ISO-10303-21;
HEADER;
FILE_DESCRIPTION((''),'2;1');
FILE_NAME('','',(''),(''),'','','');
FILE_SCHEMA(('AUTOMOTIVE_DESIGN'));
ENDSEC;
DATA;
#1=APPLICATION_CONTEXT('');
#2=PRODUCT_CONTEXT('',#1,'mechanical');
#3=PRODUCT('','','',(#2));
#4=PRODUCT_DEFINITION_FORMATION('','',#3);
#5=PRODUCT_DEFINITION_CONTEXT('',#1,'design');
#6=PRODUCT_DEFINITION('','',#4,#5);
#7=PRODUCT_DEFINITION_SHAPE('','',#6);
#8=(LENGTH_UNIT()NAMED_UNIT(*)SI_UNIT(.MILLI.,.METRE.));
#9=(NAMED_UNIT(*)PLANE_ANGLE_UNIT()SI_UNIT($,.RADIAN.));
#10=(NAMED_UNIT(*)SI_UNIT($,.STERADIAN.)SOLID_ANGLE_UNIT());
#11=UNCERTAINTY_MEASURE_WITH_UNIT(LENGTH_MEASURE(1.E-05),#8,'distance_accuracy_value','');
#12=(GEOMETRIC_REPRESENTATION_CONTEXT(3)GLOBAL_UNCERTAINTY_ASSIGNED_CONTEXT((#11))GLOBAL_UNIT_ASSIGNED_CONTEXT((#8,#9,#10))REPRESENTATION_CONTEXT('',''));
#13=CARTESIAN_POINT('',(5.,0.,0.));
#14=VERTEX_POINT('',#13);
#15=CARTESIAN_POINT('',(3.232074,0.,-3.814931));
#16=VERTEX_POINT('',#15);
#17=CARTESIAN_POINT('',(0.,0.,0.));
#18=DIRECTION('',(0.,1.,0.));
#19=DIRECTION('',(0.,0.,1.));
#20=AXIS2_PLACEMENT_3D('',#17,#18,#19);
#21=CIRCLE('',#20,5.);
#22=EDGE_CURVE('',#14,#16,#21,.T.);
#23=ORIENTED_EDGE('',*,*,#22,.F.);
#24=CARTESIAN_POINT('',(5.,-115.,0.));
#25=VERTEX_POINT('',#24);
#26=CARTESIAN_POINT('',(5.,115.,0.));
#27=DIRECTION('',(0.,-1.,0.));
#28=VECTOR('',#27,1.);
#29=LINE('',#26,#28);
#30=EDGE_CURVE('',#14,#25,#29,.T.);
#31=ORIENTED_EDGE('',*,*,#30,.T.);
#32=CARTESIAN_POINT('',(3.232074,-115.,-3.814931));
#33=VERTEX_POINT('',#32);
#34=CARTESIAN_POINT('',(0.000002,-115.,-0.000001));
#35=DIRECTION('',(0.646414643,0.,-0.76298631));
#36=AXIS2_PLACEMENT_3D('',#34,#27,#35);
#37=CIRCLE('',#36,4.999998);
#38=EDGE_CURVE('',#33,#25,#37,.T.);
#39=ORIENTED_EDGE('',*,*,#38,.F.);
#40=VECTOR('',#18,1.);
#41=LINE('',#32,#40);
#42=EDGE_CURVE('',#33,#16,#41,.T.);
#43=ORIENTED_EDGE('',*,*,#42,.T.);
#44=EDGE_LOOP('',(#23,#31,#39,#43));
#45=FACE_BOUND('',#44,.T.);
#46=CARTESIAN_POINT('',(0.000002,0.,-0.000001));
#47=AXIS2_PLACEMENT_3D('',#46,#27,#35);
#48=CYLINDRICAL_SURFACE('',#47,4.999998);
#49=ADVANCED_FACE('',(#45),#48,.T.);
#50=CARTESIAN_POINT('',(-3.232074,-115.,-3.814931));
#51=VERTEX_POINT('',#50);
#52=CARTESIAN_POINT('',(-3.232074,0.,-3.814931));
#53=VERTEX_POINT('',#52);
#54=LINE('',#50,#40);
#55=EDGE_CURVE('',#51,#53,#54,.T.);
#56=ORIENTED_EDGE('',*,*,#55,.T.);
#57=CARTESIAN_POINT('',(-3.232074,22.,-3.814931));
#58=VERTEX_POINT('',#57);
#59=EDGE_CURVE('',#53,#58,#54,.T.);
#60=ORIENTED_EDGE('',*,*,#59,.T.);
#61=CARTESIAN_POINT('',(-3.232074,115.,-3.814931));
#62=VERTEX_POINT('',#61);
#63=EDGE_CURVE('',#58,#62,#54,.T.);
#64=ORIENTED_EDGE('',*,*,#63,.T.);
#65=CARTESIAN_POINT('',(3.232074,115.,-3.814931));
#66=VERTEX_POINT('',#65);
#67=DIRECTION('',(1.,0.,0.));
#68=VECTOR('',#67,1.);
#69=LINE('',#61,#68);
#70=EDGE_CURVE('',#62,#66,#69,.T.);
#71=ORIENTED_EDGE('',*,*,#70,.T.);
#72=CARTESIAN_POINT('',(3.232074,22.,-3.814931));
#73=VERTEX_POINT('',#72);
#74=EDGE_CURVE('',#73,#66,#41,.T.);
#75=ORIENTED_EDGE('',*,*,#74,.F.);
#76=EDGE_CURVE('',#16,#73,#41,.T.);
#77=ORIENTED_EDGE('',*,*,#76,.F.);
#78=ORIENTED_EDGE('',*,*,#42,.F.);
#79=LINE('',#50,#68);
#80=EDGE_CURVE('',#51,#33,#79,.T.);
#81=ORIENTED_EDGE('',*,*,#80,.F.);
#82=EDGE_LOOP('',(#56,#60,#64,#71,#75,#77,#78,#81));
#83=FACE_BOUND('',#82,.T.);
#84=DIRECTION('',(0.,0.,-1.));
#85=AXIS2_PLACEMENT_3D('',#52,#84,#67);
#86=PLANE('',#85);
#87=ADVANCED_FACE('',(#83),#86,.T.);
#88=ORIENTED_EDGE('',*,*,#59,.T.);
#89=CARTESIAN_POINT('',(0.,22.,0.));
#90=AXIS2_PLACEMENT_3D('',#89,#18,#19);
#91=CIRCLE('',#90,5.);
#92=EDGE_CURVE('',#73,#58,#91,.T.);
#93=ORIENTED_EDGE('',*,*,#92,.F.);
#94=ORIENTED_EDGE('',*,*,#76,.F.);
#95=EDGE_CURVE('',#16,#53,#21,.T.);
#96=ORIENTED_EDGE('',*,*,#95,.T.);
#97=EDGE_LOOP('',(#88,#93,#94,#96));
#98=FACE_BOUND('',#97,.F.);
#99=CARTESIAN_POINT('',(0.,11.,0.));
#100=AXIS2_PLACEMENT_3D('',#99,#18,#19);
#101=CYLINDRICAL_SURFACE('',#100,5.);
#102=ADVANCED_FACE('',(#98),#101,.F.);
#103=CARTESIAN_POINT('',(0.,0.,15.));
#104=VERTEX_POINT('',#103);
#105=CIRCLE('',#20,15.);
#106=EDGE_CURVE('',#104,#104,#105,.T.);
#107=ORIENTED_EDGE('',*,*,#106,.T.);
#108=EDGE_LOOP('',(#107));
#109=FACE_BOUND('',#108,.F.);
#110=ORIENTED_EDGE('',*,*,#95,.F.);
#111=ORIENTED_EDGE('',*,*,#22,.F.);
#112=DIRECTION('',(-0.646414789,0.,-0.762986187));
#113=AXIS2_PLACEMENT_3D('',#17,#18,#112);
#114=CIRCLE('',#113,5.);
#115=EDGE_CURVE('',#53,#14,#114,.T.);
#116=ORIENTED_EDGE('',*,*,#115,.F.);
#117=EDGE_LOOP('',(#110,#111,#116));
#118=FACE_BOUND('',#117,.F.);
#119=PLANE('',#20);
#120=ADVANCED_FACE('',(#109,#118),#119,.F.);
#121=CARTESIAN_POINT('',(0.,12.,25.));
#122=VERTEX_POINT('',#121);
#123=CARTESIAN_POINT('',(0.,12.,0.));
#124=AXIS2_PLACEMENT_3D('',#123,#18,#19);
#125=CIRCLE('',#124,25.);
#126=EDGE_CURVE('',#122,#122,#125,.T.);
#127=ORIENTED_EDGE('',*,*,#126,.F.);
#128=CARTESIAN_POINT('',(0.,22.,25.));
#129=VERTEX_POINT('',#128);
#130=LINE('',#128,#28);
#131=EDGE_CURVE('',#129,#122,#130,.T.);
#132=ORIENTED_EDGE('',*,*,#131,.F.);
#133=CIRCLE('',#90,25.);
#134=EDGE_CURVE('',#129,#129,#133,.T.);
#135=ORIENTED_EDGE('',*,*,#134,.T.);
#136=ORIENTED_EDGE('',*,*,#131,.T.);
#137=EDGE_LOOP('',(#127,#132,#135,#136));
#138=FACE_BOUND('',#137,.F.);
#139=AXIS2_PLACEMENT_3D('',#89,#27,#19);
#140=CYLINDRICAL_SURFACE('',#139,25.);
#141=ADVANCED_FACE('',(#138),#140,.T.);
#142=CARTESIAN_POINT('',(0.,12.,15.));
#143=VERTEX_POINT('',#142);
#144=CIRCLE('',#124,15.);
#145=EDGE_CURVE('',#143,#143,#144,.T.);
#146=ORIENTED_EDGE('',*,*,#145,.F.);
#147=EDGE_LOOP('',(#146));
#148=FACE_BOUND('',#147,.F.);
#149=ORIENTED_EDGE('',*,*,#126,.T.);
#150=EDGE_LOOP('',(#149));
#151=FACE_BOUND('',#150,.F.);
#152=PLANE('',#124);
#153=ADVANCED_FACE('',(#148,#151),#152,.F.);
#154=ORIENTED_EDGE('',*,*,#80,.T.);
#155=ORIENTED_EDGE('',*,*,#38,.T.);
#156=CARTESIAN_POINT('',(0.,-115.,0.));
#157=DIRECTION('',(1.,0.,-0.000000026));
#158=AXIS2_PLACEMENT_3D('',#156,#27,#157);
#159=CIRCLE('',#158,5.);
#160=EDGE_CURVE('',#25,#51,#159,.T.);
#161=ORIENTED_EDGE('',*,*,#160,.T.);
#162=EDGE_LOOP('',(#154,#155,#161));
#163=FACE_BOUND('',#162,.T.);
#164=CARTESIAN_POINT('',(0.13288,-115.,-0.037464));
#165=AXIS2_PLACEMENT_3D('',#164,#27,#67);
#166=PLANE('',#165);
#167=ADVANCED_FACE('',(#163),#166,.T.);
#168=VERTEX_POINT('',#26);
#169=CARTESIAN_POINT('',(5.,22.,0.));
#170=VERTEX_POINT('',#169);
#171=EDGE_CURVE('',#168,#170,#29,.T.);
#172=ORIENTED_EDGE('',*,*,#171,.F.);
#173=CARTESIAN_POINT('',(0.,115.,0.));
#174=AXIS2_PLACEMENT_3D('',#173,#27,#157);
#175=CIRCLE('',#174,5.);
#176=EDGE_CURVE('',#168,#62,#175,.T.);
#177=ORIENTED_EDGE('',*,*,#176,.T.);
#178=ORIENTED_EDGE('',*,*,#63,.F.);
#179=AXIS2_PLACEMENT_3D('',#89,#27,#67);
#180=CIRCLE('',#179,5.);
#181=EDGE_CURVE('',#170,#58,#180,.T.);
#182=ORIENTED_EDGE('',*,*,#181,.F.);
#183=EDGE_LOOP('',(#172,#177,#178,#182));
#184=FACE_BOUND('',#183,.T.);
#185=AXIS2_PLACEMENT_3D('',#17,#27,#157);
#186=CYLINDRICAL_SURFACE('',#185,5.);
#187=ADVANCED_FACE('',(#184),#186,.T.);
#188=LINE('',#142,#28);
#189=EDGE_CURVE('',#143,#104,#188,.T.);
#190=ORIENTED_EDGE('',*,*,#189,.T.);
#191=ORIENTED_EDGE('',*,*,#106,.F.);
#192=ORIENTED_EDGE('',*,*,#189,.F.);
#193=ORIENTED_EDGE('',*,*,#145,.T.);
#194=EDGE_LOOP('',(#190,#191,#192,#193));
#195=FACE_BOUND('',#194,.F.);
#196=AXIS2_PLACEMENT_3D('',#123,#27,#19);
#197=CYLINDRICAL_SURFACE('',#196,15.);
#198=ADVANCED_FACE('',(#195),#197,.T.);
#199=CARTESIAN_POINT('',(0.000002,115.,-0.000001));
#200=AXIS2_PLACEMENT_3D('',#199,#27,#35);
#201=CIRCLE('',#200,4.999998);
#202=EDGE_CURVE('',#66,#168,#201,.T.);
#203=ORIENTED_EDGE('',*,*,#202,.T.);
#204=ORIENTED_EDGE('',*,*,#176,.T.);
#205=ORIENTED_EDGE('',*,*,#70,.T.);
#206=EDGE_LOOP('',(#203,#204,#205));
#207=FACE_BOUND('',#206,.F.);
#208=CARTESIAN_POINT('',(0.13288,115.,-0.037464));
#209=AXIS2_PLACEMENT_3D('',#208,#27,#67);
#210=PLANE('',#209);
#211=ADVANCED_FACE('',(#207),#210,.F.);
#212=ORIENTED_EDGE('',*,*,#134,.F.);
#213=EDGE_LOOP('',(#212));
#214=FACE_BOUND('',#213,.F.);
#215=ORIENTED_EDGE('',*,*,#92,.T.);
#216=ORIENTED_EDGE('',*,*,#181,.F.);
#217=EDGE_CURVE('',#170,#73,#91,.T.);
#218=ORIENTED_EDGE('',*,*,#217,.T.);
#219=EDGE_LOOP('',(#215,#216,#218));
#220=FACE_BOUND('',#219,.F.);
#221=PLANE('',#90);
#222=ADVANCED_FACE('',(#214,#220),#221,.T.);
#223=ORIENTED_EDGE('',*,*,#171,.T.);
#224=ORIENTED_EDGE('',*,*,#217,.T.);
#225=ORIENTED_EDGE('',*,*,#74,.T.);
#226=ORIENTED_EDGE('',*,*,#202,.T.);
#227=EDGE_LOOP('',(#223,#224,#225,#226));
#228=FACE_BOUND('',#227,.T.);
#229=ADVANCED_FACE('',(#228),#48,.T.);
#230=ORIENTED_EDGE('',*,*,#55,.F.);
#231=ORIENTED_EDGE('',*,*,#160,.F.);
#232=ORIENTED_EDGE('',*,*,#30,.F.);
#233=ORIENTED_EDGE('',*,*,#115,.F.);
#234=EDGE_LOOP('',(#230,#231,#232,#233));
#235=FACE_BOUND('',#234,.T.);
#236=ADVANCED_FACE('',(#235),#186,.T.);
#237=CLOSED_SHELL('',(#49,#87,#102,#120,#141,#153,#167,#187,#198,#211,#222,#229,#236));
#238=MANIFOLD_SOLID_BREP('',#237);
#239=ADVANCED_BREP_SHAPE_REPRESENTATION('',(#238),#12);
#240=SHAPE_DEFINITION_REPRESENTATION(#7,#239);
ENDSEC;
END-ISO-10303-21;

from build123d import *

# Parameters (mm, degrees)
F1_DEPTH = 115
F2_W     = 22
F2_H     = 0.25


with BuildPart() as f1:
    # F0 (on Front) → F1 (new body, symmetric)
    with BuildSketch(Plane.XZ):
        with BuildLine():
            ThreePointArc((3.232074, -3.814931), (4.536539, -2.102336), (5, 0))
            ThreePointArc((5, 0), (-2.102336, 4.536539), (-3.232074, -3.814931))
            Line((-3.232074, -3.814931), (3.232074, -3.814931))
        make_face()
    extrude(amount=F1_DEPTH, both=True)

    # F2 (on Right) → F3 (revolve)
    with BuildSketch(Plane.YZ):
        Polygon((0, 5.25), (22, 5.25), (22, 25), (12, 25), (12, 15), (0, 15), align=None)
        with Locations((11, 5.125)):
            Rectangle(F2_W, F2_H)
    revolve(axis=Axis((0, -3.426552, 0), (0, 1, 0)))


solid = f1.part
